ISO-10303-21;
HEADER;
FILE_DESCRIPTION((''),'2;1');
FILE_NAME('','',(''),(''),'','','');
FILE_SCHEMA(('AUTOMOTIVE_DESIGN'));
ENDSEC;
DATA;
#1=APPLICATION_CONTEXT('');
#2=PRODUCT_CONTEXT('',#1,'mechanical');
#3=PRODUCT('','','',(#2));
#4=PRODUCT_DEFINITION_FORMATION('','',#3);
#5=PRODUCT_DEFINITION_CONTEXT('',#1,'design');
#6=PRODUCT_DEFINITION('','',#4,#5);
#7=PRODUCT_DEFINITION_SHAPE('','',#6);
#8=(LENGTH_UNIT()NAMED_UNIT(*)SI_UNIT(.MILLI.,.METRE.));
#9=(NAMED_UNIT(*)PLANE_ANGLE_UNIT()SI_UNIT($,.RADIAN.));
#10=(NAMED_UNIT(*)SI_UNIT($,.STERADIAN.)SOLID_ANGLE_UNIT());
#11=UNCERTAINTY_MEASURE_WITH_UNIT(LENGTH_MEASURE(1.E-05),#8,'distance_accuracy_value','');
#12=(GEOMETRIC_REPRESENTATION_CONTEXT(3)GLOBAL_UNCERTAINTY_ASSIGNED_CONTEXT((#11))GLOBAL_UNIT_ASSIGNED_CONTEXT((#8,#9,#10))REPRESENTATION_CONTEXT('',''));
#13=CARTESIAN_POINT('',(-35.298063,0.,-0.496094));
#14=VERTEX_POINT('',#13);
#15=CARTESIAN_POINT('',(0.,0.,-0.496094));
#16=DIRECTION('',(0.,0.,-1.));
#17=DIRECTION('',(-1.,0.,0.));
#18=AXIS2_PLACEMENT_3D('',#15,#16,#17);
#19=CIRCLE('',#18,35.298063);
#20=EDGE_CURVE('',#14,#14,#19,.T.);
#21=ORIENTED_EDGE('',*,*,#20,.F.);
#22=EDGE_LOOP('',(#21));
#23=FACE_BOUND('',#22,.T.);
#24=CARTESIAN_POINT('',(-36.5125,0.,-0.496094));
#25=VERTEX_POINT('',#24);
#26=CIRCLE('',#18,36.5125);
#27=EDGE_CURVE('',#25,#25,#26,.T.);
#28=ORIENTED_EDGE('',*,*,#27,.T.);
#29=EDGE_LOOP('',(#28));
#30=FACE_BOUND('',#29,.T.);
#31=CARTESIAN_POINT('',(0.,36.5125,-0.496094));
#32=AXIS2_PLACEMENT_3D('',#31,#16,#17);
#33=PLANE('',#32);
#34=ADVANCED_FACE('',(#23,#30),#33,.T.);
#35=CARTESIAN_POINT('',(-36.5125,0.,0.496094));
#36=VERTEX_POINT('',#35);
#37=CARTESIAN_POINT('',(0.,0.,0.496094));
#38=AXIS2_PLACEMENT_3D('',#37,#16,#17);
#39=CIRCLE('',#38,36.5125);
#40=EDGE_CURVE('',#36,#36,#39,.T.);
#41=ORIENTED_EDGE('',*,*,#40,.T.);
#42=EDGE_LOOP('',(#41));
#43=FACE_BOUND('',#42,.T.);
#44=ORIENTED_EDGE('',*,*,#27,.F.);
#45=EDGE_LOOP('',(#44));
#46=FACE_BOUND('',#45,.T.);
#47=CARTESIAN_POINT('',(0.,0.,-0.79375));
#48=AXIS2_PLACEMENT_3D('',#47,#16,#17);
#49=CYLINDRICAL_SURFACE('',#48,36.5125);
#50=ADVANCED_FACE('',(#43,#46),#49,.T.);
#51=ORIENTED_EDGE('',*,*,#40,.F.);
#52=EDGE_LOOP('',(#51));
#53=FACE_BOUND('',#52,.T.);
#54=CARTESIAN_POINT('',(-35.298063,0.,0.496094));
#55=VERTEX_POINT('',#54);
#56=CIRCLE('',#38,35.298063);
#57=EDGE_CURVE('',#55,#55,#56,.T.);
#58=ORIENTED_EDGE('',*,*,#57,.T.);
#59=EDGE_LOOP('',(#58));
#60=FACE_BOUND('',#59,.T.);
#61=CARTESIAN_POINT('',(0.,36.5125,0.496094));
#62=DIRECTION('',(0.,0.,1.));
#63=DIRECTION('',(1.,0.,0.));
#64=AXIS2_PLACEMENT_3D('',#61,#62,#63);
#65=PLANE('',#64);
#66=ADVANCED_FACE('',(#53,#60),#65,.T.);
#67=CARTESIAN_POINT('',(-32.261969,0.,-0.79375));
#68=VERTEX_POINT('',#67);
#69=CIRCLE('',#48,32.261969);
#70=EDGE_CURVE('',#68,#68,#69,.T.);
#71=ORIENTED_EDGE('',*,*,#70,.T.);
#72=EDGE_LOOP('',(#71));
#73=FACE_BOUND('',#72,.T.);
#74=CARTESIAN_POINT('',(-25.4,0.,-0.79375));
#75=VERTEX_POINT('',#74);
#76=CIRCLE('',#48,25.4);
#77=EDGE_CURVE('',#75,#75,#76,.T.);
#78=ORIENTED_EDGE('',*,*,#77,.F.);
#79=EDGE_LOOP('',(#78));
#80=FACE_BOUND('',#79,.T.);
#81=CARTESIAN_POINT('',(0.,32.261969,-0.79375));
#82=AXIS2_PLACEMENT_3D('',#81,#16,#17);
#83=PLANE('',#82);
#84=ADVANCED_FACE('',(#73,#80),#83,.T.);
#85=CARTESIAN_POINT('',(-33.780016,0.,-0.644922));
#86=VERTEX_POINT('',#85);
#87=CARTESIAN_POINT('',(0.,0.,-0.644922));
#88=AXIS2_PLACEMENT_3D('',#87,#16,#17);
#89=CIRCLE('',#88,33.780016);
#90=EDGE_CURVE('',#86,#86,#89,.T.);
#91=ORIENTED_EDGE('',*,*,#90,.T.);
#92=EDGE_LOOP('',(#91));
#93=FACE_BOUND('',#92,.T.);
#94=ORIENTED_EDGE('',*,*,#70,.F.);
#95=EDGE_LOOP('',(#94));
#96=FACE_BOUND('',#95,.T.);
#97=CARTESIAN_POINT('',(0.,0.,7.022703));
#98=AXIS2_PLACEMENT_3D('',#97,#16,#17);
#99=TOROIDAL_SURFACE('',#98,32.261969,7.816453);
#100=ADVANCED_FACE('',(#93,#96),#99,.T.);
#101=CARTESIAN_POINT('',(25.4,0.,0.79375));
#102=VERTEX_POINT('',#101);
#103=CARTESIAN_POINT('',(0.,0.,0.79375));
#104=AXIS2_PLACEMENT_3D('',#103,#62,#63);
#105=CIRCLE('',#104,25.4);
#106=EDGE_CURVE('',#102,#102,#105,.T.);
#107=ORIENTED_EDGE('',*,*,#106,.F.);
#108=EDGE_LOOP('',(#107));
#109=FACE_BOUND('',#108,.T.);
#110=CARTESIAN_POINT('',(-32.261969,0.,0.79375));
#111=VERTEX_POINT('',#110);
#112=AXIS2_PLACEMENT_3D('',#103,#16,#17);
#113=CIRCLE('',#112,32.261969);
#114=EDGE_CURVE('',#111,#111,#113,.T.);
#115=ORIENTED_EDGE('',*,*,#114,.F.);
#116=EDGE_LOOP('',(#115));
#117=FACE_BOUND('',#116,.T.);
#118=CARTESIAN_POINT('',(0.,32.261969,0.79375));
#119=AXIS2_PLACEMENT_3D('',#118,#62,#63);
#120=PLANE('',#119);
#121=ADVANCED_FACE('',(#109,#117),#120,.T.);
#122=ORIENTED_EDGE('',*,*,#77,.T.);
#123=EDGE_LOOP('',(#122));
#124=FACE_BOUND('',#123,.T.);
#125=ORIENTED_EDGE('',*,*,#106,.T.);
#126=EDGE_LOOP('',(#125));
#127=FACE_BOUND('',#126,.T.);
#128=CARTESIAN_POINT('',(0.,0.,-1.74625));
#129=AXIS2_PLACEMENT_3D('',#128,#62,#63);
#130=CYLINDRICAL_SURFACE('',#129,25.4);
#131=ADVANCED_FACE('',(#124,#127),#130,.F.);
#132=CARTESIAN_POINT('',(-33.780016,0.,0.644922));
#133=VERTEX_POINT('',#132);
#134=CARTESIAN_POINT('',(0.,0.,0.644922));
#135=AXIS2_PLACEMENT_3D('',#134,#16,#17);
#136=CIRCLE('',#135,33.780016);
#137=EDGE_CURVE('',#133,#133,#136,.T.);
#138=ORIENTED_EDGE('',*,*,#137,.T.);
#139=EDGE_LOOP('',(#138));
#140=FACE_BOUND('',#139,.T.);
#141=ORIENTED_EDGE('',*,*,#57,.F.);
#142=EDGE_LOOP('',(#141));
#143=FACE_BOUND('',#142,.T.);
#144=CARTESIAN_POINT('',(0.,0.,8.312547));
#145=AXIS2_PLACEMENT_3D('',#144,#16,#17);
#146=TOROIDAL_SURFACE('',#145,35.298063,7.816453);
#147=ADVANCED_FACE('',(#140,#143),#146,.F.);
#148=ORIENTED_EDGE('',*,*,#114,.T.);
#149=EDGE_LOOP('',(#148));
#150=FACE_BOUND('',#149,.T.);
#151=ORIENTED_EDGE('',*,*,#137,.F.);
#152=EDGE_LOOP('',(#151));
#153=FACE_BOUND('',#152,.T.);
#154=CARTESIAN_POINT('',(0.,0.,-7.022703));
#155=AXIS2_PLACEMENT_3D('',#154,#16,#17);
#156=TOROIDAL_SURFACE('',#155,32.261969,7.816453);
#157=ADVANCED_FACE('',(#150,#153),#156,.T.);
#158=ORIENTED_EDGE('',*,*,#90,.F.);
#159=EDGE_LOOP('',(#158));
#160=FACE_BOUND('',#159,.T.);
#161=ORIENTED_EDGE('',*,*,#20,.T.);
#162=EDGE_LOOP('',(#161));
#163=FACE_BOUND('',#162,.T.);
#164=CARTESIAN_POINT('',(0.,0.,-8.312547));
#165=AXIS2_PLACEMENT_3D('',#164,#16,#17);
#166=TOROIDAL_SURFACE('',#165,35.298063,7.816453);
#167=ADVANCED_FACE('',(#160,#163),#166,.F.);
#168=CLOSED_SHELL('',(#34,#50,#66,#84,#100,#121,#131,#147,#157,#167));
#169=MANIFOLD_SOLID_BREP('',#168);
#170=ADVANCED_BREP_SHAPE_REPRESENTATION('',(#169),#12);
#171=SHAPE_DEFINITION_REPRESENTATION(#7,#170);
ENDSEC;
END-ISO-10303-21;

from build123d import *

# Parameters (mm, degrees)
SKETCH4_R          = 25.4
CUT_EXTRUDE1_DEPTH = 2.54


with BuildPart() as part:
    # Sketch3 → Revolve1 (revolve)
    with BuildSketch(Plane(origin=(0, 0, 0), x_dir=(0, 0, -1), z_dir=(1, 0, 0)), mode=Mode.PRIVATE) as revolve1_sk:
        with BuildLine():
            Line((0.49609375, 36.5125), (-0.49609375, 36.5125))
            Line((-0.49609375, 36.5125), (-0.49609375, 35.2980625))
            ThreePointArc((-0.49609375, 35.2980625), (-0.53338976, 34.535400038), (-0.644921875, 33.780015625))
            ThreePointArc((-0.644921875, 33.780015625), (-0.75645399, 33.024631212), (-0.79375, 32.26196875))
            Line((-0.79375, 32.26196875), (-0.79375, 18.70075))
            ThreePointArc((-0.79375, 18.70075), (-0.756233853, 18.289154795), (-0.644921875, 17.891125))
            ThreePointArc((-0.644921875, 17.891125), (-0.533609897, 17.493095205), (-0.49609375, 17.0815))
            Line((-0.49609375, 17.0815), (-0.49609375, 16.271875))
            Line((-0.49609375, 16.271875), (0.49609375, 16.271875))
            Line((0.49609375, 16.271875), (0.49609375, 17.0815))
            ThreePointArc((0.49609375, 17.0815), (0.533609897, 17.493095205), (0.644921875, 17.891125))
            ThreePointArc((0.644921875, 17.891125), (0.756233853, 18.289154795), (0.79375, 18.70075))
            Line((0.79375, 18.70075), (0.79375, 32.26196875))
            ThreePointArc((0.79375, 32.26196875), (0.75645399, 33.024631212), (0.644921875, 33.780015625))
            ThreePointArc((0.644921875, 33.780015625), (0.53338976, 34.535400038), (0.49609375, 35.2980625))
            Line((0.49609375, 35.2980625), (0.49609375, 36.5125))
        make_face()
    revolve(revolve1_sk.sketch.rotate(Axis((0, 0, -0.79375), (0, 0, 1)), 90), axis=Axis((0, 0, -0.79375), (0, 0, 1)))

    # Sketch4 → Cut-Extrude1 (cut)
    with BuildSketch(Plane.XY.offset(0.79375)):
        Circle(SKETCH4_R)
    extrude(amount=-CUT_EXTRUDE1_DEPTH, mode=Mode.SUBTRACT)


solid = part.part
